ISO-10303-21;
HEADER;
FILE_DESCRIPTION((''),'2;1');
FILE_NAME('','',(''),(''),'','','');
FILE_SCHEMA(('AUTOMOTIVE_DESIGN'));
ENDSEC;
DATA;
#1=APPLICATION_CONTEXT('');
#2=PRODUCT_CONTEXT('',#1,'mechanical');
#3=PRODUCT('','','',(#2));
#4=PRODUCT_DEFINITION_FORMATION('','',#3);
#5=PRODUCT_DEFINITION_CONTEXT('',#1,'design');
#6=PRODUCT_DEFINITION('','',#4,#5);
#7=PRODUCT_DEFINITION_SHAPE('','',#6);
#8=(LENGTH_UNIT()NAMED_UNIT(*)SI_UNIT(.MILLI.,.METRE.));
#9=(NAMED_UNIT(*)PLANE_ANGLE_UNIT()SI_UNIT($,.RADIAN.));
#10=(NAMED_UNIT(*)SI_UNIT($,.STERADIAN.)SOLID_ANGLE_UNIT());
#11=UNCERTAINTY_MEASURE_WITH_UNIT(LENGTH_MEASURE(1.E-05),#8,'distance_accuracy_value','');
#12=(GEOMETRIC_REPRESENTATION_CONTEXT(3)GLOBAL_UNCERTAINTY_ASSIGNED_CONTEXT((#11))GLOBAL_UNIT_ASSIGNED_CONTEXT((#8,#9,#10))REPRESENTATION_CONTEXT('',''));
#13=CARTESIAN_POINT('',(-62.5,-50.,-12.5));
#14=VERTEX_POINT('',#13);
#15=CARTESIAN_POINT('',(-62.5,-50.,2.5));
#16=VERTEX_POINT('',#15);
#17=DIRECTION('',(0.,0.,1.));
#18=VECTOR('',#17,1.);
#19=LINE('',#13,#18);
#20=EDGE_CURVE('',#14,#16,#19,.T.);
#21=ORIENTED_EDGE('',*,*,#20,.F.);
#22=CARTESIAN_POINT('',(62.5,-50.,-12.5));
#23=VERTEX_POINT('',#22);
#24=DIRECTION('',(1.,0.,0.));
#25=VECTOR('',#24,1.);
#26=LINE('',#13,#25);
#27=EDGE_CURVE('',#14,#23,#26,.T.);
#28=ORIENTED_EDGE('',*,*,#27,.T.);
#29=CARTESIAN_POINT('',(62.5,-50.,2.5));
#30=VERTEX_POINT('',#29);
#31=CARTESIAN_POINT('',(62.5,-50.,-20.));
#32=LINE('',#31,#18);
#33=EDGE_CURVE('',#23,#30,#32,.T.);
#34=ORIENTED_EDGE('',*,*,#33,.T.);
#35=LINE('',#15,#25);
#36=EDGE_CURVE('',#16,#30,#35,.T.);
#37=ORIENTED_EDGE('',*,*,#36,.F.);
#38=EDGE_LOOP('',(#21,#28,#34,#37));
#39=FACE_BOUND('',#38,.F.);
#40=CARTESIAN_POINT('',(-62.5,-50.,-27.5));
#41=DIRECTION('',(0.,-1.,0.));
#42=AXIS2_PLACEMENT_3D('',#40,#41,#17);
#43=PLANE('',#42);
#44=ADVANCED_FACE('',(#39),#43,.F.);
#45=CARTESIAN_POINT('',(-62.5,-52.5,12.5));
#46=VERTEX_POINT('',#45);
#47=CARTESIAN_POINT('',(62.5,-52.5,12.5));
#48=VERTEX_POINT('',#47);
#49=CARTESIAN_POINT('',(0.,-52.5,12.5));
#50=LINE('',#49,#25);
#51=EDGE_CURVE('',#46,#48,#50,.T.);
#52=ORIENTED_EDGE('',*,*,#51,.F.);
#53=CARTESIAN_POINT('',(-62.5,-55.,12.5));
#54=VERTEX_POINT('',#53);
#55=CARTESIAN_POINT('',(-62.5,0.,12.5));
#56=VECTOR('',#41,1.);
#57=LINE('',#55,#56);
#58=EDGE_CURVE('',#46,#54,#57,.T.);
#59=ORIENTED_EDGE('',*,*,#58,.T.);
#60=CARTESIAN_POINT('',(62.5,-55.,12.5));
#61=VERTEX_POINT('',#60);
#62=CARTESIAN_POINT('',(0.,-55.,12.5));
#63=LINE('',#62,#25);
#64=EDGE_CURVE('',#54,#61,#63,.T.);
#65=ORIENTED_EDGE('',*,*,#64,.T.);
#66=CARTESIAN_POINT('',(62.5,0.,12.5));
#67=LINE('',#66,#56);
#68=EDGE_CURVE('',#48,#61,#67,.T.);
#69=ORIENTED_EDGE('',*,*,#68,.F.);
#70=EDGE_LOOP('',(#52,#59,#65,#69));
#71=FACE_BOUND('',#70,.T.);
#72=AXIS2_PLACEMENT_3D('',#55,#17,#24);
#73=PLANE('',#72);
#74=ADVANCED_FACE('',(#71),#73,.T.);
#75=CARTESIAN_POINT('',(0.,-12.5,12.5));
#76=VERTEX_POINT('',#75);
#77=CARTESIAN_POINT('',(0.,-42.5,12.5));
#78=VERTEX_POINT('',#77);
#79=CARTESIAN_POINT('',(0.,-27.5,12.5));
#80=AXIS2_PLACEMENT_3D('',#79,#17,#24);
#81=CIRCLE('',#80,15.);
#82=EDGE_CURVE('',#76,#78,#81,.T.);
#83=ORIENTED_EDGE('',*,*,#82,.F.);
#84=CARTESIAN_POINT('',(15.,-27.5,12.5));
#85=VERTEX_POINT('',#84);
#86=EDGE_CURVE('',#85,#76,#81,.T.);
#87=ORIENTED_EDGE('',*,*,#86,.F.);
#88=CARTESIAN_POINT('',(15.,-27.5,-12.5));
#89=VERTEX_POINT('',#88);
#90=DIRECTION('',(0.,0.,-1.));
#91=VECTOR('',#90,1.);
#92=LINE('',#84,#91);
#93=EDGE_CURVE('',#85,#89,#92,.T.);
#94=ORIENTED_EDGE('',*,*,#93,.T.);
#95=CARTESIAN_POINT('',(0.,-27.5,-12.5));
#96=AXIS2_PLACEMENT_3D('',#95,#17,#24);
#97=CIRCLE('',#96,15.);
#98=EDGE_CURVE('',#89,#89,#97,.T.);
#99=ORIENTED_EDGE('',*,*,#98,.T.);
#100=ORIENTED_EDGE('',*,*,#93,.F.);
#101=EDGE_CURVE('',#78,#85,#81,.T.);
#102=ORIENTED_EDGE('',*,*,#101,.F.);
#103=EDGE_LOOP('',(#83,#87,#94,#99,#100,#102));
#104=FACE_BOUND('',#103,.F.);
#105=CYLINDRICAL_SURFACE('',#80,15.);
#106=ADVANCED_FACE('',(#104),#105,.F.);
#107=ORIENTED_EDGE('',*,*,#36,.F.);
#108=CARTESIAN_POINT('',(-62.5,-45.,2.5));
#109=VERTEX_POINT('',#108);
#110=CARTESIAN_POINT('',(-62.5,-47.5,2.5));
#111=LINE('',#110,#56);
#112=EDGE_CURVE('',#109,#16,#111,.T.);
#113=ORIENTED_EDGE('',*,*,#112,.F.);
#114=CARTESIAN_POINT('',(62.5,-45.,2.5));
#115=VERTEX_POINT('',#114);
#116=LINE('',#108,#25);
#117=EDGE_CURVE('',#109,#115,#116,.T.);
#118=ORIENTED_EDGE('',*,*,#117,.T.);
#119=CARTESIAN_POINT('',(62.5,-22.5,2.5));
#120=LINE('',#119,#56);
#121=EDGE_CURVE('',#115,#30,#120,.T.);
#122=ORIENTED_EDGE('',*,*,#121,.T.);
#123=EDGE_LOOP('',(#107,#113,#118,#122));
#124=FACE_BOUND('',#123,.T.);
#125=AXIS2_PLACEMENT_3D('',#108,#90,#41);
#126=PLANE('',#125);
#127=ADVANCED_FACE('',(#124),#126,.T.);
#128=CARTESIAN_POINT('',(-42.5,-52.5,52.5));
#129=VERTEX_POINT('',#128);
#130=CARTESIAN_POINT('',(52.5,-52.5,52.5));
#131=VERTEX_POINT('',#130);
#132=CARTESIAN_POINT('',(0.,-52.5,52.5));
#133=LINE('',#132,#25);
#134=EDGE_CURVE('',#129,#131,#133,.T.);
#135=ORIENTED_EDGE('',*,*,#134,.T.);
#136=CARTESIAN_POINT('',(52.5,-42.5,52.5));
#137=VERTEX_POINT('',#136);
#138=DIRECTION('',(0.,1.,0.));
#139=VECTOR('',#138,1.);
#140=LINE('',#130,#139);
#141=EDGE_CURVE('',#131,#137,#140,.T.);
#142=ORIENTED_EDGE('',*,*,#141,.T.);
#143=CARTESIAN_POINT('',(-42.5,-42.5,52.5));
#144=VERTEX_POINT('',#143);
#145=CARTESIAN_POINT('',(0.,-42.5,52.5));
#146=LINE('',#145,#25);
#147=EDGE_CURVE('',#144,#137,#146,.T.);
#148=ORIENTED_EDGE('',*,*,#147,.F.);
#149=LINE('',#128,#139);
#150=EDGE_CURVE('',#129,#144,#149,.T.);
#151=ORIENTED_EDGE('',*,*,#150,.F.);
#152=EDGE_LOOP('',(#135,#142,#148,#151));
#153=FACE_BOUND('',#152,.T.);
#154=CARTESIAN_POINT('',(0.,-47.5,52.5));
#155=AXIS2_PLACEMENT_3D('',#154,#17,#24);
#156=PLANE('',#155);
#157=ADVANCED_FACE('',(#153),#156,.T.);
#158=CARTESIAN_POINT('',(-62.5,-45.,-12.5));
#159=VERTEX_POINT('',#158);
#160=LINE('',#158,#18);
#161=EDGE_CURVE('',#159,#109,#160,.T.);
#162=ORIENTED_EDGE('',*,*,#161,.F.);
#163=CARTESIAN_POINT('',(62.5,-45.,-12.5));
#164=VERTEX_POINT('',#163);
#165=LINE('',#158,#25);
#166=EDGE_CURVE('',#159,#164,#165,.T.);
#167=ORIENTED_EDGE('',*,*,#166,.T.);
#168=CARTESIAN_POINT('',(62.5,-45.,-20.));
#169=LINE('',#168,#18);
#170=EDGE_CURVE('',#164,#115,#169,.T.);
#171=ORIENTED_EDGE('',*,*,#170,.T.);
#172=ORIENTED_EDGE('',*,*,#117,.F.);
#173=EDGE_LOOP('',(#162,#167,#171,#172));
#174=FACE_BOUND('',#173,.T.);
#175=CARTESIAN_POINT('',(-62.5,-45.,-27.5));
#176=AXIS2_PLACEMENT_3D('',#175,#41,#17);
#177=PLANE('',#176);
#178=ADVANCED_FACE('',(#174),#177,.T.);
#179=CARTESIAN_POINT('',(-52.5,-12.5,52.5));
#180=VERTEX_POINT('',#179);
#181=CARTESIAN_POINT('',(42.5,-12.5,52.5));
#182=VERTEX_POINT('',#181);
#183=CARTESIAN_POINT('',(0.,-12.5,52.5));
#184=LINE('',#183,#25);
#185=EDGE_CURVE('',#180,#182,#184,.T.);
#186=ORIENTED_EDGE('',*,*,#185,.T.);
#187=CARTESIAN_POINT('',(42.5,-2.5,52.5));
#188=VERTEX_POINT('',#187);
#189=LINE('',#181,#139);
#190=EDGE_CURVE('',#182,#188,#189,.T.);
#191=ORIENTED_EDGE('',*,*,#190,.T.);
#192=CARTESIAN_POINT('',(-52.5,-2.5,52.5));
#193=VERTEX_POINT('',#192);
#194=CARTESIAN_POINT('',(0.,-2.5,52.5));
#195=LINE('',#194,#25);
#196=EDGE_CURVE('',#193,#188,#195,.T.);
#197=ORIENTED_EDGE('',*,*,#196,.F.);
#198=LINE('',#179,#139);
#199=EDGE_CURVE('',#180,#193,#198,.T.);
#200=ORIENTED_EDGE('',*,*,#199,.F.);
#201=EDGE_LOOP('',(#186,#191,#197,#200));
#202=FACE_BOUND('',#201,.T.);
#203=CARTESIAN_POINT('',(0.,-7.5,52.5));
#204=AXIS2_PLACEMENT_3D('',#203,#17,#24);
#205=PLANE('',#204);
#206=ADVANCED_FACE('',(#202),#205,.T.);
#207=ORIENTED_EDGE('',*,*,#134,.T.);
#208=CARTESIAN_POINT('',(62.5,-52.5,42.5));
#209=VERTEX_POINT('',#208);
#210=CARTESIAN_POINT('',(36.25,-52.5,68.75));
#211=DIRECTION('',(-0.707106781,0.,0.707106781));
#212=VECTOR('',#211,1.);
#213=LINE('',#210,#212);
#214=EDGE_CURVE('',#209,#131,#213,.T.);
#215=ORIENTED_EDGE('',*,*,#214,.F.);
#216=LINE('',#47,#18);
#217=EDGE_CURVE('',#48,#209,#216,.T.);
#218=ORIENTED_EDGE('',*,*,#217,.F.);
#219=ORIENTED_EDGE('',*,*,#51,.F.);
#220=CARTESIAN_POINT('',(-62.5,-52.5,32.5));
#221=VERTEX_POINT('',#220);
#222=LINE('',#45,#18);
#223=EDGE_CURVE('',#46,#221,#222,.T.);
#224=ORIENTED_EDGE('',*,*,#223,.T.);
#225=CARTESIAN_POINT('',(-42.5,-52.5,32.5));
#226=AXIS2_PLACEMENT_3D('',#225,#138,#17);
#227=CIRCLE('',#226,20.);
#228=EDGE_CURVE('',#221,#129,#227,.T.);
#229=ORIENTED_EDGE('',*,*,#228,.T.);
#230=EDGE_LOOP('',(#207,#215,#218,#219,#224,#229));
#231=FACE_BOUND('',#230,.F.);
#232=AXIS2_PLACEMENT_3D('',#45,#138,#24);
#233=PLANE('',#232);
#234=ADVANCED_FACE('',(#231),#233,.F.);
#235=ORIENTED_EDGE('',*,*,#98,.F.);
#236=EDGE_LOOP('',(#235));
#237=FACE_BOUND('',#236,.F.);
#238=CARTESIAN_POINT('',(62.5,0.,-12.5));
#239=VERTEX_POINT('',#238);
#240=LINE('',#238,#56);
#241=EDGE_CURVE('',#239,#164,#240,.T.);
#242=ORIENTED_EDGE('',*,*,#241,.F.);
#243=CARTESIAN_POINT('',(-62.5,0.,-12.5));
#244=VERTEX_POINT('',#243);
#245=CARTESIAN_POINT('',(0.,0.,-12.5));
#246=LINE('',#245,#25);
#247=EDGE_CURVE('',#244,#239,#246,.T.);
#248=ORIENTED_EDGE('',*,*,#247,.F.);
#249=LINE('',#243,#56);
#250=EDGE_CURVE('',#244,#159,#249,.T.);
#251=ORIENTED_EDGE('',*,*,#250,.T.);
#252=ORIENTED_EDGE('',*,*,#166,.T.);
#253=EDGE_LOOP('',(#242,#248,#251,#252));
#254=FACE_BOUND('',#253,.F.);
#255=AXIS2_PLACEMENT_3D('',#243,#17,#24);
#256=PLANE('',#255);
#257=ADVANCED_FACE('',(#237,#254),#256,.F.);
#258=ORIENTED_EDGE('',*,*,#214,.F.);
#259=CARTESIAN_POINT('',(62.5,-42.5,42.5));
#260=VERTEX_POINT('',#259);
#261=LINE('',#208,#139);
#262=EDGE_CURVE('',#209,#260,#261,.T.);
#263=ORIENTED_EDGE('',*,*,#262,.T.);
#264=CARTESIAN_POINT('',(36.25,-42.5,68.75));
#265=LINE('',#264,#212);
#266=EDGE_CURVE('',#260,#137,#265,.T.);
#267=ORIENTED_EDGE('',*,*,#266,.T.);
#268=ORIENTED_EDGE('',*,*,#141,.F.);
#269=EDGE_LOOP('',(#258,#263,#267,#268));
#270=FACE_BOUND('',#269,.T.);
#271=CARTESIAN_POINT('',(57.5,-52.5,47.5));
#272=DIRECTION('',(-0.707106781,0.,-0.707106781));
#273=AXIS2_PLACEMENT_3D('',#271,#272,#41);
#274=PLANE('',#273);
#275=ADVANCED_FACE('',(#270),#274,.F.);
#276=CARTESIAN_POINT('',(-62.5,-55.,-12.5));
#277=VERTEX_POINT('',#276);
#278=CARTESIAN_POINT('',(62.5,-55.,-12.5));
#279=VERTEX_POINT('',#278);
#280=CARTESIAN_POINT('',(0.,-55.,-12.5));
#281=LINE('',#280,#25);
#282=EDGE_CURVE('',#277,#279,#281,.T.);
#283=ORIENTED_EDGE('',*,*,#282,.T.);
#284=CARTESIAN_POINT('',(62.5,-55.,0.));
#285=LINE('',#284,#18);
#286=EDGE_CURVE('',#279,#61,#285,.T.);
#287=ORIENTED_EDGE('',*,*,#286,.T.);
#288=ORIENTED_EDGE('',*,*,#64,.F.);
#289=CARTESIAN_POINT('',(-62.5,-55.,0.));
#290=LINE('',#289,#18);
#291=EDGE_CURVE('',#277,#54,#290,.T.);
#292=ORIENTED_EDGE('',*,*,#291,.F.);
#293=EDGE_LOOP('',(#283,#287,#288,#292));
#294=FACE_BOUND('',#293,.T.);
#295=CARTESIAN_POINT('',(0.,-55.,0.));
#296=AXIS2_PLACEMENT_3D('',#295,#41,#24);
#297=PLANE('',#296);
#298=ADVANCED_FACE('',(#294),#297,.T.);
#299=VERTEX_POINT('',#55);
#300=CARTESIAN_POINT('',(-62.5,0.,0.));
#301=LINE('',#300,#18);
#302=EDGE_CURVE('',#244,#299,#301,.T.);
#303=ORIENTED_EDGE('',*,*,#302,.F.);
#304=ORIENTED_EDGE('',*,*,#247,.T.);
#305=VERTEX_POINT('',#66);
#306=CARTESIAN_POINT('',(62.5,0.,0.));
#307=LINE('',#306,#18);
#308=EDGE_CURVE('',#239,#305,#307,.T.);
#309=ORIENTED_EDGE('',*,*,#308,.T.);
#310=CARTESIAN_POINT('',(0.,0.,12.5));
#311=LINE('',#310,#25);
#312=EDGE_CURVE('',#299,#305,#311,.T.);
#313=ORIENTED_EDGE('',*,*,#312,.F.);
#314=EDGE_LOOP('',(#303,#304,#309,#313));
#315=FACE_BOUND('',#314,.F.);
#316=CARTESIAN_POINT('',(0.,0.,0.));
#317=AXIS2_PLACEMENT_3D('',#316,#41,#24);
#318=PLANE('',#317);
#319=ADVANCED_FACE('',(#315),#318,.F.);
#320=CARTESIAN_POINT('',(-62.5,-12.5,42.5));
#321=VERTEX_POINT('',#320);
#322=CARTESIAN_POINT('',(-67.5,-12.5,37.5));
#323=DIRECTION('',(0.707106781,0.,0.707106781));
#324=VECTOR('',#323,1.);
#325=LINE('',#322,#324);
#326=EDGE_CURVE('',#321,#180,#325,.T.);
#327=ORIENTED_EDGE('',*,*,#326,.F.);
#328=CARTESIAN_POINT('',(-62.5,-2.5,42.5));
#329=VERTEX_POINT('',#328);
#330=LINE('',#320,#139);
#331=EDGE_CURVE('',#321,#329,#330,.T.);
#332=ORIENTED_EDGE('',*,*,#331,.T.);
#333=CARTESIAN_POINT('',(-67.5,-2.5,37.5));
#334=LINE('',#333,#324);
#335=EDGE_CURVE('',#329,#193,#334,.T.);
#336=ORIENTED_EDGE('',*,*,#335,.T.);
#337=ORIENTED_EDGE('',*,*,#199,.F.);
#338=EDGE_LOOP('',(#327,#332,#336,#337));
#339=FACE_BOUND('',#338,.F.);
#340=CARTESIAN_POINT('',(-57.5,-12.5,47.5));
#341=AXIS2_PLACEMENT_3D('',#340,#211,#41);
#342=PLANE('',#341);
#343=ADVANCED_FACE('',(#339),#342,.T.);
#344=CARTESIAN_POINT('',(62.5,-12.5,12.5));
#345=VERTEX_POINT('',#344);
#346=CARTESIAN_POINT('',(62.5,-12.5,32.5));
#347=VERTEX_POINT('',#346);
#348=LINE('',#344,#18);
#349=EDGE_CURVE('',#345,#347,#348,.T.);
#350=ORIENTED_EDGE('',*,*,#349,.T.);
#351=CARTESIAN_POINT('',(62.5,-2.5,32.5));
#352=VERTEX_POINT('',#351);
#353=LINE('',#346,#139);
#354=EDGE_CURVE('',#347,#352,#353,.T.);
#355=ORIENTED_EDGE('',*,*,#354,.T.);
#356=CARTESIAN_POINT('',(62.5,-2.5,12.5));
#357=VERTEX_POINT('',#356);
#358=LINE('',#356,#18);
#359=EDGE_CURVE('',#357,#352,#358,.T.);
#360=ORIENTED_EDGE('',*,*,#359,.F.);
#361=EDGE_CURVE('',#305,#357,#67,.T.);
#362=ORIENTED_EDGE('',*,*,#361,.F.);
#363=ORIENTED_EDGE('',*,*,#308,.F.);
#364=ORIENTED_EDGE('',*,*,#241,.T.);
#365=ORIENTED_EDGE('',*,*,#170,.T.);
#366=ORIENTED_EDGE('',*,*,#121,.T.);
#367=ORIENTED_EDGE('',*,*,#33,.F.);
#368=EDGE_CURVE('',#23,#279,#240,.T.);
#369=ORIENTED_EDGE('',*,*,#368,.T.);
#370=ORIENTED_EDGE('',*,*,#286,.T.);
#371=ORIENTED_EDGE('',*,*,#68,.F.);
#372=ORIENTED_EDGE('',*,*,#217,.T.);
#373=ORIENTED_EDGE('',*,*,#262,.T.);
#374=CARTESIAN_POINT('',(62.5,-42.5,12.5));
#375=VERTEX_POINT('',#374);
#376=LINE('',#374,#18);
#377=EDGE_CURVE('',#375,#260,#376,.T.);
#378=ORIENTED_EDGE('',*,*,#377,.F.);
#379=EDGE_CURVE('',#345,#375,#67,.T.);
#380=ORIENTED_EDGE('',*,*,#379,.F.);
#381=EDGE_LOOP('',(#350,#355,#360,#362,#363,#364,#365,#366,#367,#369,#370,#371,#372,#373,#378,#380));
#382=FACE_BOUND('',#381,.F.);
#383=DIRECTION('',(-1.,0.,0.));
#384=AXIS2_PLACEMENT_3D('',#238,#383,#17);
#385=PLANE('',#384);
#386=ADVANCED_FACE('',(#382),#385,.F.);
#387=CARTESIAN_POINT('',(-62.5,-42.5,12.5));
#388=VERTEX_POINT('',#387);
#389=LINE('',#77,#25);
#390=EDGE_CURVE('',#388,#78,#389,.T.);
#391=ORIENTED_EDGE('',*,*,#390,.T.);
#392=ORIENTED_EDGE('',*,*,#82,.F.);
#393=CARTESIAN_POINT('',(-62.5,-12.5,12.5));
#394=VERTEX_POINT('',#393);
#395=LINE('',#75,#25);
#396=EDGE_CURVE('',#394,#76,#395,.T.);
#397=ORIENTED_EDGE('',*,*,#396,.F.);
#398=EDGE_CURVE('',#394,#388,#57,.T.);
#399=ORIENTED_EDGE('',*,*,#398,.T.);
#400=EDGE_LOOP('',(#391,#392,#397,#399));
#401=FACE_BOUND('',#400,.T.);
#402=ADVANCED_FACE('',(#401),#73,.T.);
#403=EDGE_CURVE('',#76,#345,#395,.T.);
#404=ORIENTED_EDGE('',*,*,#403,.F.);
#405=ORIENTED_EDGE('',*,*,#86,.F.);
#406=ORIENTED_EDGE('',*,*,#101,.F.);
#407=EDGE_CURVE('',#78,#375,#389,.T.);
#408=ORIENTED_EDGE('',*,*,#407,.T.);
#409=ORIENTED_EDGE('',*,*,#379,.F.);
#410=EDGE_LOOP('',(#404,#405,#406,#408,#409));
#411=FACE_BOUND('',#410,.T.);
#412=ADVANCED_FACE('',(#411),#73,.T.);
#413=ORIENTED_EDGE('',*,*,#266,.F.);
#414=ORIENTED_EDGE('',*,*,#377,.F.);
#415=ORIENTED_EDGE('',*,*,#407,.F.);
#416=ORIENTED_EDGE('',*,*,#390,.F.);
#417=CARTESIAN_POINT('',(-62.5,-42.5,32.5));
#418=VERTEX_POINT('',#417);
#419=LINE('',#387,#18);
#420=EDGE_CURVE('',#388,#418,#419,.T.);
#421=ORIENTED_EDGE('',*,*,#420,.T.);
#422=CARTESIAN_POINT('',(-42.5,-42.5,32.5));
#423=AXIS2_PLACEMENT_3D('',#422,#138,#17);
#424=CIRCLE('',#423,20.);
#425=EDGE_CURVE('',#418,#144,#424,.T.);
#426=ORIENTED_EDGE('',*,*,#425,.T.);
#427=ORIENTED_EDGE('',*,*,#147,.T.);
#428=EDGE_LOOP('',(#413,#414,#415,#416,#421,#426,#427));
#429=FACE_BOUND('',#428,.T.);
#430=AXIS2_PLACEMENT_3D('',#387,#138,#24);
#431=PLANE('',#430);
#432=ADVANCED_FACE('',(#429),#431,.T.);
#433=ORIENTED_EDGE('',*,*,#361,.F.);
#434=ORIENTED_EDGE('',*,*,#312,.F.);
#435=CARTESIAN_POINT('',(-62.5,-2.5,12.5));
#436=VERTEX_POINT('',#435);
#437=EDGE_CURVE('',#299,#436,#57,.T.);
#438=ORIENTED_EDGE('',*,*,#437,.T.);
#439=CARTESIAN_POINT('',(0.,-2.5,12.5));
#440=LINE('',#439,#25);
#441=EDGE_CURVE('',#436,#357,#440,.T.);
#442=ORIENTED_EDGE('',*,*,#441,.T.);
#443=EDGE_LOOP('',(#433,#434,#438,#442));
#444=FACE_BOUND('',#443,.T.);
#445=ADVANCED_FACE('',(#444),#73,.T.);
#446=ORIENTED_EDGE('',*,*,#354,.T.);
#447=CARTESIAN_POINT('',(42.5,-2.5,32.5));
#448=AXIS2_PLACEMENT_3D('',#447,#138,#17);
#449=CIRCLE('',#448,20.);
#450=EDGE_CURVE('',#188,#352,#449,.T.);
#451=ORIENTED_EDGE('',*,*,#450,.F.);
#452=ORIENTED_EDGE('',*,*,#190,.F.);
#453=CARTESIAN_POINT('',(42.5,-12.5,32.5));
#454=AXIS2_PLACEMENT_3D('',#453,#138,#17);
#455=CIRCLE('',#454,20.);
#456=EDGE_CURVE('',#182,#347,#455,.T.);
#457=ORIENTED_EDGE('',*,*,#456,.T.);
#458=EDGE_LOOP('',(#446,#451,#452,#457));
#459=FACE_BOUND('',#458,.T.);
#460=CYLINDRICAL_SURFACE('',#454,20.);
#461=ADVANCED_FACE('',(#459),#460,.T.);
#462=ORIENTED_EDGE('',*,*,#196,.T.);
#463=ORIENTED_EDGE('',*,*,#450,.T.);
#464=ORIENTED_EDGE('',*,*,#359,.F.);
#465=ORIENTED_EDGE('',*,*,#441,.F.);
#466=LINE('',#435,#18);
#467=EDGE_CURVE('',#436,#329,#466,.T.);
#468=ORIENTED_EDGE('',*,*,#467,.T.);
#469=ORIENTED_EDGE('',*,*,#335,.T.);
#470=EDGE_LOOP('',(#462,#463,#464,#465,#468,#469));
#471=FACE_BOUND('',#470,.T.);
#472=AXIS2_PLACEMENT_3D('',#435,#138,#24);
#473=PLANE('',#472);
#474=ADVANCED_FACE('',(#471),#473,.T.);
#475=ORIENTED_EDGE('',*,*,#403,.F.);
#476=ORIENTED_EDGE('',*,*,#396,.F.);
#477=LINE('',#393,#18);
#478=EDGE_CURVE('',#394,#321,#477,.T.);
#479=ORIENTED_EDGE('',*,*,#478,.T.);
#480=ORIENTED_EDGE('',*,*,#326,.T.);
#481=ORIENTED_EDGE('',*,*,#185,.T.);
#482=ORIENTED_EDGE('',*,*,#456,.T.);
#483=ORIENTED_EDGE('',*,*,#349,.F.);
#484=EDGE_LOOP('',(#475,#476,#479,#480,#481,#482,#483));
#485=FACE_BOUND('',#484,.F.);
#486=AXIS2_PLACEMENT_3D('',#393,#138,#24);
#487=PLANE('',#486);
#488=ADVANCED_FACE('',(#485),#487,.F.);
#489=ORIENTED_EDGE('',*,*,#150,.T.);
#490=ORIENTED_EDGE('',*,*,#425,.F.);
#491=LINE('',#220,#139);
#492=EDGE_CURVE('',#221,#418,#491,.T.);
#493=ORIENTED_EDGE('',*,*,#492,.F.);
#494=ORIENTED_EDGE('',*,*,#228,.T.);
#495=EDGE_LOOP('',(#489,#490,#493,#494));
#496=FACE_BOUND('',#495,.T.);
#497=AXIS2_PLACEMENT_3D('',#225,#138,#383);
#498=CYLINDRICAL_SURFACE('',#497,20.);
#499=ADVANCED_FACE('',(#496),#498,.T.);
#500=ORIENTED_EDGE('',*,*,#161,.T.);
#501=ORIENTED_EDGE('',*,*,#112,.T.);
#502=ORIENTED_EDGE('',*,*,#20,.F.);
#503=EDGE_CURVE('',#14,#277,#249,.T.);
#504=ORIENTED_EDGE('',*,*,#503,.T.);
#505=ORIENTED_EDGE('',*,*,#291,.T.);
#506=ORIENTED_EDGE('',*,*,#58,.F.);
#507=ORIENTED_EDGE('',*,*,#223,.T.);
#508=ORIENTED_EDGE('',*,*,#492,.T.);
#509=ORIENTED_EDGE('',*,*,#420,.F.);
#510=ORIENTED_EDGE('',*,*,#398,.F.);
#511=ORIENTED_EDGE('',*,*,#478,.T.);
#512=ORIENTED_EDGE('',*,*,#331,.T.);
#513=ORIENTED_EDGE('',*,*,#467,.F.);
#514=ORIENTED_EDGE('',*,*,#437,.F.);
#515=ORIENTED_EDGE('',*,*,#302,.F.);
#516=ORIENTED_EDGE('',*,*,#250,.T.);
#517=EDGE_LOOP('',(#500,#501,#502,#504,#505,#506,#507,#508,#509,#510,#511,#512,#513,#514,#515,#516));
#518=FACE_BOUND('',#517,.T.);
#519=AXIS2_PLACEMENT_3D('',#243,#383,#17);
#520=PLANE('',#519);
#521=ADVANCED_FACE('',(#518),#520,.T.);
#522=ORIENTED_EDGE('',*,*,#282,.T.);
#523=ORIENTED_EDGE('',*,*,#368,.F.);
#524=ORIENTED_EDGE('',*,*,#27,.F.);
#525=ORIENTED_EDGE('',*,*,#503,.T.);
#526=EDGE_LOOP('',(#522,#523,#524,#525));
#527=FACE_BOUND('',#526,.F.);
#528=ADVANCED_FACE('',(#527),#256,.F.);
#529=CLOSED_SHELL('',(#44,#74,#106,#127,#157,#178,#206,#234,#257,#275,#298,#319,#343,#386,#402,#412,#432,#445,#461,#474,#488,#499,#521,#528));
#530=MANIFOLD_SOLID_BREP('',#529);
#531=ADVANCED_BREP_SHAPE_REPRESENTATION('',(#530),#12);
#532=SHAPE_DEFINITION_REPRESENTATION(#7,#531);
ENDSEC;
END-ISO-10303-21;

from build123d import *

# Parameters (mm, degrees)
F0_W      = 125
F0_H      = 25
F1_DEPTH  = 55
F2_W      = 5
F2_H      = 30
F3_DEPTH  = 125.001
F4_W      = 125
F4_H      = 10
F5_DEPTH  = 40
F6_R      = 20
F7_R      = 20
F8_SIZE   = 10
F9_SIZE   = 10
F10_R     = 15
F11_DEPTH = 25.001


with BuildPart() as f1:
    # F0 (on Front) → F1 (new body)
    with BuildSketch(Plane.XZ):
        Rectangle(F0_W, F0_H)
    extrude(amount=F1_DEPTH)

    # F2 (on face) → F3 (cut, through all)
    with BuildSketch(Plane(origin=(-62.5, 0, 0), x_dir=(0, -1, 0), z_dir=(-1, 0, 0))):
        with Locations((47.5, -12.5)):
            Rectangle(F2_W, F2_H)
    extrude(amount=-F3_DEPTH, mode=Mode.SUBTRACT)

    # F4 (on face) → F5 (join)
    with BuildSketch(Plane.XY.offset(12.5)):
        with Locations((0, -47.5)):
            Rectangle(F4_W, F4_H)
        with Locations((0, -7.5)):
            Rectangle(F4_W, F4_H)
    extrude(amount=F5_DEPTH)

    # F6
    f6_edges = [f1.edges().sort_by_distance(p)[0] for p in [
        (-62.5, -47.5, 52.5),
    ]]
    fillet(f6_edges, radius=F6_R)

    # F7
    f7_edges = [f1.edges().sort_by_distance(p)[0] for p in [
        (62.5, -7.5, 52.5),
    ]]
    fillet(f7_edges, radius=F7_R)

    # F8
    f8_edges = [f1.edges().sort_by_distance(p)[0] for p in [
        (62.5, -47.5, 52.5),
    ]]
    chamfer(f8_edges, length=F8_SIZE)

    # F9
    f9_edges = [f1.edges().sort_by_distance(p)[0] for p in [
        (-62.5, -7.5, 52.5),
    ]]
    chamfer(f9_edges, length=F9_SIZE)

    # F10 (on face) → F11 (cut, through all)
    with BuildSketch(Plane.XY.offset(12.5)):
        with Locations((0, -27.5)):
            Circle(F10_R)
    extrude(amount=-F11_DEPTH, mode=Mode.SUBTRACT)


solid = f1.part
